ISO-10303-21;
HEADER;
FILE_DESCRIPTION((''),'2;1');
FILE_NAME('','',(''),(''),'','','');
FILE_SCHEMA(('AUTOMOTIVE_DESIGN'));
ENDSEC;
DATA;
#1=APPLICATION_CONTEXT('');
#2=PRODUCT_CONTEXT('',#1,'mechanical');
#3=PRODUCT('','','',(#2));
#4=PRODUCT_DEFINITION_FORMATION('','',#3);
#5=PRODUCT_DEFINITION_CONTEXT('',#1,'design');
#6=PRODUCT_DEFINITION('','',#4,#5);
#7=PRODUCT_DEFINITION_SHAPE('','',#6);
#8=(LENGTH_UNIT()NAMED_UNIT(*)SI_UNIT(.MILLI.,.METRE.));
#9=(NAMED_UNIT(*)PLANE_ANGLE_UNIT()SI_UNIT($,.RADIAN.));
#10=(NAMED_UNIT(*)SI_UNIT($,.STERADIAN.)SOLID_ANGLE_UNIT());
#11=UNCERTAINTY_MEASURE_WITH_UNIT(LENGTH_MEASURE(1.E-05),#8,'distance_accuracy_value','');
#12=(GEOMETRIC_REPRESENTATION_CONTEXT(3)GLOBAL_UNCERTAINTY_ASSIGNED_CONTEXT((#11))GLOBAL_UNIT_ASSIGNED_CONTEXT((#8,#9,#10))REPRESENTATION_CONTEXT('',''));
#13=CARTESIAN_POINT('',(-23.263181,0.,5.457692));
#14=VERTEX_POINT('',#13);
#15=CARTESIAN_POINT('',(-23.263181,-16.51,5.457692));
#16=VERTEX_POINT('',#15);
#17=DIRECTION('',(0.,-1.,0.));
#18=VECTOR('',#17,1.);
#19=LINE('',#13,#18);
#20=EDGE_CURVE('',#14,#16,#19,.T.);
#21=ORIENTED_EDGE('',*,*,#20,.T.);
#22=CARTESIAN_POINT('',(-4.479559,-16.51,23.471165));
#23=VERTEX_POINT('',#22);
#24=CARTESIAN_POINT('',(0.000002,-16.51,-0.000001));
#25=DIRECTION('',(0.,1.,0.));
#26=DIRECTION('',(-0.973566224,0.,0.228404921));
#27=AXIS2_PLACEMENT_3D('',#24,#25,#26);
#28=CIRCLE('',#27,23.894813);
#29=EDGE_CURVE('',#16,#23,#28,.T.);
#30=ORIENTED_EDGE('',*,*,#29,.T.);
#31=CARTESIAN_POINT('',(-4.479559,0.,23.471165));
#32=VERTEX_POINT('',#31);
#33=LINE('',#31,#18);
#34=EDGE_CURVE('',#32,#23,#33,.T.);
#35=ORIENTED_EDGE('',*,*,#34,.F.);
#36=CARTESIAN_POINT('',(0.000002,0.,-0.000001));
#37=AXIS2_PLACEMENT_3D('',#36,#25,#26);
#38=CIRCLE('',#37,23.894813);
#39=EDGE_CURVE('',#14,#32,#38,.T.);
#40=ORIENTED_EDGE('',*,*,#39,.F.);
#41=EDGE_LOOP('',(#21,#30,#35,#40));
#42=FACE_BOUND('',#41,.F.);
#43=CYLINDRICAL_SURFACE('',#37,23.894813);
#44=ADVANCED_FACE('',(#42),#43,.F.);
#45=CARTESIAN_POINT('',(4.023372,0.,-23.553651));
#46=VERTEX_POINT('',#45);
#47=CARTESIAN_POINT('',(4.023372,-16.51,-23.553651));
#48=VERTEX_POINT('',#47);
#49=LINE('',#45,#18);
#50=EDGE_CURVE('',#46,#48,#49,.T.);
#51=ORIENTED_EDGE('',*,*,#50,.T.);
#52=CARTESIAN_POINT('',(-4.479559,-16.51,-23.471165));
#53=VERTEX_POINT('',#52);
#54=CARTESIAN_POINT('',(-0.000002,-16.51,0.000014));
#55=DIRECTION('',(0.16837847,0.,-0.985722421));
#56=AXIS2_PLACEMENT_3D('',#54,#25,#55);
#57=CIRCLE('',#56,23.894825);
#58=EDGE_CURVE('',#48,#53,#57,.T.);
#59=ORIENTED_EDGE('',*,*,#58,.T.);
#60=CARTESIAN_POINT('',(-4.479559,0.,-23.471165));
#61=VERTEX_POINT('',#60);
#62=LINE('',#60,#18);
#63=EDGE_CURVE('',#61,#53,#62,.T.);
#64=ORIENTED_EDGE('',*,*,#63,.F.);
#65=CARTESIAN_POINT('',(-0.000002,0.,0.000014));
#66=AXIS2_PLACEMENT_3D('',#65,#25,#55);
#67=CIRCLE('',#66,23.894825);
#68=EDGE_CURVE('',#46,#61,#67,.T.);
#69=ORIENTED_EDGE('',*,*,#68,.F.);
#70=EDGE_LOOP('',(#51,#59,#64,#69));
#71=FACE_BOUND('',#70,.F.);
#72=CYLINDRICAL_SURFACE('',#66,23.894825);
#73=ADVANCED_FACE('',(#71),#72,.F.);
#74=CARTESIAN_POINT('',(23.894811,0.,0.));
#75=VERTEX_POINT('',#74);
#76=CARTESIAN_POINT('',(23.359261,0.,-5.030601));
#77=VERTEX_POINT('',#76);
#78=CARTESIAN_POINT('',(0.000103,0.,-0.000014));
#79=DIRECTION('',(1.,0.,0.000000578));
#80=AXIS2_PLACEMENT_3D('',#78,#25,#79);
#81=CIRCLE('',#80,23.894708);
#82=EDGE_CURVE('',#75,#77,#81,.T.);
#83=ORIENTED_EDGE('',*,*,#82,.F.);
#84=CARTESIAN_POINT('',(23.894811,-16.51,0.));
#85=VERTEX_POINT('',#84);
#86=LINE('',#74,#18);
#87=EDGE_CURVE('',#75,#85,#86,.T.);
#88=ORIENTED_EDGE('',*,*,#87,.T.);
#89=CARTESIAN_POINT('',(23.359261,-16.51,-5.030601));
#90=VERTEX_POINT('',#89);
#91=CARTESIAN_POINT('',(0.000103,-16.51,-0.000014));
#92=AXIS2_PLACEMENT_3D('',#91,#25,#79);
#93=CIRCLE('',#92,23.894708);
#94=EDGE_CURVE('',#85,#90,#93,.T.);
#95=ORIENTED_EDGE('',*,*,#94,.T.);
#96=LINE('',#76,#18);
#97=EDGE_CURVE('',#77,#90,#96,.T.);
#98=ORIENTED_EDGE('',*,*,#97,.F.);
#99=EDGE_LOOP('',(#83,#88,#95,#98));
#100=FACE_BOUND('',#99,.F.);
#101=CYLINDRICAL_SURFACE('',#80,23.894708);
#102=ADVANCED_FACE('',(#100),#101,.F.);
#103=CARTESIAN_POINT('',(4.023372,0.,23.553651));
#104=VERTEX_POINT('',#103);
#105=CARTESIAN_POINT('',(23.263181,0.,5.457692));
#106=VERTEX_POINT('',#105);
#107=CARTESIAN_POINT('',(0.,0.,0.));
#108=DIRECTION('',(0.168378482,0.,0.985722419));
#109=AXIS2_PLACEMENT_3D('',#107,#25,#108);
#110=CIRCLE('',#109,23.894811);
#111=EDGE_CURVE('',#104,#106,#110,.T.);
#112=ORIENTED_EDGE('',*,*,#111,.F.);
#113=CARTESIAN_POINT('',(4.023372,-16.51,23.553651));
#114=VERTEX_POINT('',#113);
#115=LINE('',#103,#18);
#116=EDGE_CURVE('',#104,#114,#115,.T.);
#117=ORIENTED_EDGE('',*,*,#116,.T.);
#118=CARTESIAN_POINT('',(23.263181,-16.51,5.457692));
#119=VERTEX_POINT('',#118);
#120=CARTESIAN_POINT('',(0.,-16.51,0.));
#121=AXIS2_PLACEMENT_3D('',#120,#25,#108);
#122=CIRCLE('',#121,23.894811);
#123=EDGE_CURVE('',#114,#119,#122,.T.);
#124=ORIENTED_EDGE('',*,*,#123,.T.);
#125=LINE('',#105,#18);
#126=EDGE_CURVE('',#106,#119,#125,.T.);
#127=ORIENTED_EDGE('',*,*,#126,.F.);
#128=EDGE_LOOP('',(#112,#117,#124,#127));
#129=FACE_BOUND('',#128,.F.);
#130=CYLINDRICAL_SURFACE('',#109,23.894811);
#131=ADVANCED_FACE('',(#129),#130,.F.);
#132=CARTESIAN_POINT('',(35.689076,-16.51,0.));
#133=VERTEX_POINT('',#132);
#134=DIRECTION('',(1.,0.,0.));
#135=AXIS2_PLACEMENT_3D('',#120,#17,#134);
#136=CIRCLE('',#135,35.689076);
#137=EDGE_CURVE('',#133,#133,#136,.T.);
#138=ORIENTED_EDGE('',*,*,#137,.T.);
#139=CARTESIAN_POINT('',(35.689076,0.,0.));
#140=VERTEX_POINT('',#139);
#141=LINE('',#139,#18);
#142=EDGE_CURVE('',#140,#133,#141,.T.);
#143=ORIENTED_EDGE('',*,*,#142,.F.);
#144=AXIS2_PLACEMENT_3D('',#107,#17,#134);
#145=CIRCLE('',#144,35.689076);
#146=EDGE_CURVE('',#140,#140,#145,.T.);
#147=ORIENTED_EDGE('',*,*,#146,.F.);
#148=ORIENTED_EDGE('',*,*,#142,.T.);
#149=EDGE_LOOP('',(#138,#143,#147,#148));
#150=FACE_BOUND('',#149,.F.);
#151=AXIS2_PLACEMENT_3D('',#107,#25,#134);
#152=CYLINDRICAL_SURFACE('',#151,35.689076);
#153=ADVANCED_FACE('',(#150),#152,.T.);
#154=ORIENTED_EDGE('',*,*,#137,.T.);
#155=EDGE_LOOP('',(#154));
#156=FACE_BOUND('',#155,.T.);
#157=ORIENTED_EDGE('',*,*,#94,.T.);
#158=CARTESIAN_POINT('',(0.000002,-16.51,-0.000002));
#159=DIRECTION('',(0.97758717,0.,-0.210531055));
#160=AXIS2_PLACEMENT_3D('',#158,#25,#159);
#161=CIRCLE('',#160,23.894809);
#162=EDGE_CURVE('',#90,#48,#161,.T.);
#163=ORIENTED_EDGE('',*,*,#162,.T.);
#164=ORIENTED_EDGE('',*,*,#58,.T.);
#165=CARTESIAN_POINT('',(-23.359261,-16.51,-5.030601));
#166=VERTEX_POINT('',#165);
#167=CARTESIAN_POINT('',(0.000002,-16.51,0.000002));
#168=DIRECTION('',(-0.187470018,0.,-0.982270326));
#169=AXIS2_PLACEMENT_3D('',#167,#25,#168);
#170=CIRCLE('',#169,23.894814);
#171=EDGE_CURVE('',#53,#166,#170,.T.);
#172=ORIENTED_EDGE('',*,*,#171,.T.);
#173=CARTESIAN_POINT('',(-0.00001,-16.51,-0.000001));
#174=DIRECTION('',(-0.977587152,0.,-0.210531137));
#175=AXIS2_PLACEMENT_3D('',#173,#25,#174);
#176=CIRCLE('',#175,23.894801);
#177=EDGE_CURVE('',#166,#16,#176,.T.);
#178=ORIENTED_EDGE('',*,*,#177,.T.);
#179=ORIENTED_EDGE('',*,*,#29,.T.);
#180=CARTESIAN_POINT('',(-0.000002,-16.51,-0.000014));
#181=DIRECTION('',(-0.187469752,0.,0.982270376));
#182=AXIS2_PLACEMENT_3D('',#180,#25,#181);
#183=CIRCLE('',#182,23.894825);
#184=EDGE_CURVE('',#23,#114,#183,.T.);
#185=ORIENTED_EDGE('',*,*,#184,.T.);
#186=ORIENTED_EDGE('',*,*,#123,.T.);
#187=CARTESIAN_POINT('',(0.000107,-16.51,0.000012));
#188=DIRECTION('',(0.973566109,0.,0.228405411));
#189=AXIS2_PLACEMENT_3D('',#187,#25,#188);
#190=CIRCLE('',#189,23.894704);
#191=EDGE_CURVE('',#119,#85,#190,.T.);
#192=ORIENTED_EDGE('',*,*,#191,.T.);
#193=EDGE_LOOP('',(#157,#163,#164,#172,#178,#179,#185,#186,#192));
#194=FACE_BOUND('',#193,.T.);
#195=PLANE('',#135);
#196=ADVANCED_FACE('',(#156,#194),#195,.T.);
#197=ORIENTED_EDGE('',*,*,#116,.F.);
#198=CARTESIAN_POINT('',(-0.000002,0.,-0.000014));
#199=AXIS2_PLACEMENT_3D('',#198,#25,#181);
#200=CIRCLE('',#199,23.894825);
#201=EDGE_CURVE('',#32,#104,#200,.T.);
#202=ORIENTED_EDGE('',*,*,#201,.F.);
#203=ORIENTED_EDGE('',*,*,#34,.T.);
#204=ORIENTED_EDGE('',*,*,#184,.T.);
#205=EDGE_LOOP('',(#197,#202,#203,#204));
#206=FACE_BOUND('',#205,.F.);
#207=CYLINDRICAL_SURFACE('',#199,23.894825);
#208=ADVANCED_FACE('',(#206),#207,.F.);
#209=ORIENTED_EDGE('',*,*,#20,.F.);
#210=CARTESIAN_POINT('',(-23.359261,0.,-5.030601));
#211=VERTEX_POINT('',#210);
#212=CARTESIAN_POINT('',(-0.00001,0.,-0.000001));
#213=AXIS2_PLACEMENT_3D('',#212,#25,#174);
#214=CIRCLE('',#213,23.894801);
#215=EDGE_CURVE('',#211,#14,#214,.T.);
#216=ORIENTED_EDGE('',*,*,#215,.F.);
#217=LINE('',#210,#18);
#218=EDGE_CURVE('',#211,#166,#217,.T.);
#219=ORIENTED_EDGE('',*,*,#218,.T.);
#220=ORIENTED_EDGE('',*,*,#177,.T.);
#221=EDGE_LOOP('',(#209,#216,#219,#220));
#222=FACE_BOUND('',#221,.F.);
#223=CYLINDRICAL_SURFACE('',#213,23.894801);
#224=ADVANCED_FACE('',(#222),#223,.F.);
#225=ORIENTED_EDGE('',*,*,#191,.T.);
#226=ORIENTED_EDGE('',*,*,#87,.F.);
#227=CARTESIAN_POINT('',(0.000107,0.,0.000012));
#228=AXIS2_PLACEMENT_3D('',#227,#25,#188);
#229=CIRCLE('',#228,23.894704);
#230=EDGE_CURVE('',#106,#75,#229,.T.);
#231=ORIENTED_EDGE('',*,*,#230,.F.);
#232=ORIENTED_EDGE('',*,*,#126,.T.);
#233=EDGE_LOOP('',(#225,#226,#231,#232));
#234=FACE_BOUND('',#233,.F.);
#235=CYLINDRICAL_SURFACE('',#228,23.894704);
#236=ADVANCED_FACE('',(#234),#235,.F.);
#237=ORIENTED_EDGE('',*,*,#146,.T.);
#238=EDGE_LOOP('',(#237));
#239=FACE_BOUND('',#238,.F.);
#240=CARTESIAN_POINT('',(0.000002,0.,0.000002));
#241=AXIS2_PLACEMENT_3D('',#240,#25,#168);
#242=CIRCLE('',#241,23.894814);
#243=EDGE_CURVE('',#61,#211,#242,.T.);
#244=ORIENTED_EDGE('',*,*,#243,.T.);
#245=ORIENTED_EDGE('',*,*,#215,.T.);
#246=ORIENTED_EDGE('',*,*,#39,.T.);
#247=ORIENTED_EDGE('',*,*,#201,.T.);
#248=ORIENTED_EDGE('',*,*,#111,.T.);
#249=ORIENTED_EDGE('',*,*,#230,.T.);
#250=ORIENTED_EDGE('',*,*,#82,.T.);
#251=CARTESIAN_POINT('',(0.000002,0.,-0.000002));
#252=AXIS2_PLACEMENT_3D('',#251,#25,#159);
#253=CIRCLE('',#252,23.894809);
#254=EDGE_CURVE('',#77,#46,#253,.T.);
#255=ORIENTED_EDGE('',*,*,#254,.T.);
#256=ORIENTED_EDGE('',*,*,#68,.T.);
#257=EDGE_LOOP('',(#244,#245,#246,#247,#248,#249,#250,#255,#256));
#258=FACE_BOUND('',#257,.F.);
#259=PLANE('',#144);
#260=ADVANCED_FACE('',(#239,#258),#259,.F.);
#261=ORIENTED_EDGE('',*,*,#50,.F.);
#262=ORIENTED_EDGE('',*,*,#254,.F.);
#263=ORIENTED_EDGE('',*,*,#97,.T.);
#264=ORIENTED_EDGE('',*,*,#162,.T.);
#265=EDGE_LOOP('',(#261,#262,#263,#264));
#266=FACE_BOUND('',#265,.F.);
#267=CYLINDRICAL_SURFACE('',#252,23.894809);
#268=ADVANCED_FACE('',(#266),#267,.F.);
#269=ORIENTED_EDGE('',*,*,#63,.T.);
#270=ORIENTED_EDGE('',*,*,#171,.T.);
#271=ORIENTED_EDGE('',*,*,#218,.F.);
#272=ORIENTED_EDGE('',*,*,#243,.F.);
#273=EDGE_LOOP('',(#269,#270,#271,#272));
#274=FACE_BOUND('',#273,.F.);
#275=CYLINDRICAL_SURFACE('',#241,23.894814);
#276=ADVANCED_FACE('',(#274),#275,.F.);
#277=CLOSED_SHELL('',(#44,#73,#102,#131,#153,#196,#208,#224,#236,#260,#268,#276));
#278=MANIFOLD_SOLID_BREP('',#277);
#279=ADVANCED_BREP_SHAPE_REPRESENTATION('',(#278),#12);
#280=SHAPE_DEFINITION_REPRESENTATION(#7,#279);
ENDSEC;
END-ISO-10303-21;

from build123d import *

# Parameters (mm, degrees)
F0_R     = 35.689076
F1_DEPTH = 16.51


with BuildPart() as f1:
    # F0 (on Front) → F1 (new body)
    with BuildSketch(Plane.XZ):
        Circle(F0_R)
        with BuildLine():
            ThreePointArc((23.263181, 5.457692), (23.736379, 2.74706), (23.894811, 0))
            ThreePointArc((23.894811, 0), (23.760547, -2.529514), (23.359261, -5.030601))
            ThreePointArc((23.359261, -5.030601), (16.52961, -17.254971), (4.023372, -23.553651))
            ThreePointArc((4.023372, -23.553651), (-0.231792, -23.893687), (-4.479559, -23.471165))
            ThreePointArc((-4.479559, -23.471165), (-16.696214, -17.093813), (-23.359261, -5.030601))
            ThreePointArc((-23.359261, -5.030601), (-23.893809, 0.218883), (-23.263181, 5.457692))
            ThreePointArc((-23.263181, 5.457692), (-16.53893, 17.246037), (-4.479559, 23.471165))
            ThreePointArc((-4.479559, 23.471165), (-0.231792, 23.893687), (4.023372, 23.553651))
            ThreePointArc((4.023372, 23.553651), (16.370856, 17.405662), (23.263181, 5.457692))
        make_face(mode=Mode.SUBTRACT)
    extrude(amount=F1_DEPTH)


solid = f1.part
